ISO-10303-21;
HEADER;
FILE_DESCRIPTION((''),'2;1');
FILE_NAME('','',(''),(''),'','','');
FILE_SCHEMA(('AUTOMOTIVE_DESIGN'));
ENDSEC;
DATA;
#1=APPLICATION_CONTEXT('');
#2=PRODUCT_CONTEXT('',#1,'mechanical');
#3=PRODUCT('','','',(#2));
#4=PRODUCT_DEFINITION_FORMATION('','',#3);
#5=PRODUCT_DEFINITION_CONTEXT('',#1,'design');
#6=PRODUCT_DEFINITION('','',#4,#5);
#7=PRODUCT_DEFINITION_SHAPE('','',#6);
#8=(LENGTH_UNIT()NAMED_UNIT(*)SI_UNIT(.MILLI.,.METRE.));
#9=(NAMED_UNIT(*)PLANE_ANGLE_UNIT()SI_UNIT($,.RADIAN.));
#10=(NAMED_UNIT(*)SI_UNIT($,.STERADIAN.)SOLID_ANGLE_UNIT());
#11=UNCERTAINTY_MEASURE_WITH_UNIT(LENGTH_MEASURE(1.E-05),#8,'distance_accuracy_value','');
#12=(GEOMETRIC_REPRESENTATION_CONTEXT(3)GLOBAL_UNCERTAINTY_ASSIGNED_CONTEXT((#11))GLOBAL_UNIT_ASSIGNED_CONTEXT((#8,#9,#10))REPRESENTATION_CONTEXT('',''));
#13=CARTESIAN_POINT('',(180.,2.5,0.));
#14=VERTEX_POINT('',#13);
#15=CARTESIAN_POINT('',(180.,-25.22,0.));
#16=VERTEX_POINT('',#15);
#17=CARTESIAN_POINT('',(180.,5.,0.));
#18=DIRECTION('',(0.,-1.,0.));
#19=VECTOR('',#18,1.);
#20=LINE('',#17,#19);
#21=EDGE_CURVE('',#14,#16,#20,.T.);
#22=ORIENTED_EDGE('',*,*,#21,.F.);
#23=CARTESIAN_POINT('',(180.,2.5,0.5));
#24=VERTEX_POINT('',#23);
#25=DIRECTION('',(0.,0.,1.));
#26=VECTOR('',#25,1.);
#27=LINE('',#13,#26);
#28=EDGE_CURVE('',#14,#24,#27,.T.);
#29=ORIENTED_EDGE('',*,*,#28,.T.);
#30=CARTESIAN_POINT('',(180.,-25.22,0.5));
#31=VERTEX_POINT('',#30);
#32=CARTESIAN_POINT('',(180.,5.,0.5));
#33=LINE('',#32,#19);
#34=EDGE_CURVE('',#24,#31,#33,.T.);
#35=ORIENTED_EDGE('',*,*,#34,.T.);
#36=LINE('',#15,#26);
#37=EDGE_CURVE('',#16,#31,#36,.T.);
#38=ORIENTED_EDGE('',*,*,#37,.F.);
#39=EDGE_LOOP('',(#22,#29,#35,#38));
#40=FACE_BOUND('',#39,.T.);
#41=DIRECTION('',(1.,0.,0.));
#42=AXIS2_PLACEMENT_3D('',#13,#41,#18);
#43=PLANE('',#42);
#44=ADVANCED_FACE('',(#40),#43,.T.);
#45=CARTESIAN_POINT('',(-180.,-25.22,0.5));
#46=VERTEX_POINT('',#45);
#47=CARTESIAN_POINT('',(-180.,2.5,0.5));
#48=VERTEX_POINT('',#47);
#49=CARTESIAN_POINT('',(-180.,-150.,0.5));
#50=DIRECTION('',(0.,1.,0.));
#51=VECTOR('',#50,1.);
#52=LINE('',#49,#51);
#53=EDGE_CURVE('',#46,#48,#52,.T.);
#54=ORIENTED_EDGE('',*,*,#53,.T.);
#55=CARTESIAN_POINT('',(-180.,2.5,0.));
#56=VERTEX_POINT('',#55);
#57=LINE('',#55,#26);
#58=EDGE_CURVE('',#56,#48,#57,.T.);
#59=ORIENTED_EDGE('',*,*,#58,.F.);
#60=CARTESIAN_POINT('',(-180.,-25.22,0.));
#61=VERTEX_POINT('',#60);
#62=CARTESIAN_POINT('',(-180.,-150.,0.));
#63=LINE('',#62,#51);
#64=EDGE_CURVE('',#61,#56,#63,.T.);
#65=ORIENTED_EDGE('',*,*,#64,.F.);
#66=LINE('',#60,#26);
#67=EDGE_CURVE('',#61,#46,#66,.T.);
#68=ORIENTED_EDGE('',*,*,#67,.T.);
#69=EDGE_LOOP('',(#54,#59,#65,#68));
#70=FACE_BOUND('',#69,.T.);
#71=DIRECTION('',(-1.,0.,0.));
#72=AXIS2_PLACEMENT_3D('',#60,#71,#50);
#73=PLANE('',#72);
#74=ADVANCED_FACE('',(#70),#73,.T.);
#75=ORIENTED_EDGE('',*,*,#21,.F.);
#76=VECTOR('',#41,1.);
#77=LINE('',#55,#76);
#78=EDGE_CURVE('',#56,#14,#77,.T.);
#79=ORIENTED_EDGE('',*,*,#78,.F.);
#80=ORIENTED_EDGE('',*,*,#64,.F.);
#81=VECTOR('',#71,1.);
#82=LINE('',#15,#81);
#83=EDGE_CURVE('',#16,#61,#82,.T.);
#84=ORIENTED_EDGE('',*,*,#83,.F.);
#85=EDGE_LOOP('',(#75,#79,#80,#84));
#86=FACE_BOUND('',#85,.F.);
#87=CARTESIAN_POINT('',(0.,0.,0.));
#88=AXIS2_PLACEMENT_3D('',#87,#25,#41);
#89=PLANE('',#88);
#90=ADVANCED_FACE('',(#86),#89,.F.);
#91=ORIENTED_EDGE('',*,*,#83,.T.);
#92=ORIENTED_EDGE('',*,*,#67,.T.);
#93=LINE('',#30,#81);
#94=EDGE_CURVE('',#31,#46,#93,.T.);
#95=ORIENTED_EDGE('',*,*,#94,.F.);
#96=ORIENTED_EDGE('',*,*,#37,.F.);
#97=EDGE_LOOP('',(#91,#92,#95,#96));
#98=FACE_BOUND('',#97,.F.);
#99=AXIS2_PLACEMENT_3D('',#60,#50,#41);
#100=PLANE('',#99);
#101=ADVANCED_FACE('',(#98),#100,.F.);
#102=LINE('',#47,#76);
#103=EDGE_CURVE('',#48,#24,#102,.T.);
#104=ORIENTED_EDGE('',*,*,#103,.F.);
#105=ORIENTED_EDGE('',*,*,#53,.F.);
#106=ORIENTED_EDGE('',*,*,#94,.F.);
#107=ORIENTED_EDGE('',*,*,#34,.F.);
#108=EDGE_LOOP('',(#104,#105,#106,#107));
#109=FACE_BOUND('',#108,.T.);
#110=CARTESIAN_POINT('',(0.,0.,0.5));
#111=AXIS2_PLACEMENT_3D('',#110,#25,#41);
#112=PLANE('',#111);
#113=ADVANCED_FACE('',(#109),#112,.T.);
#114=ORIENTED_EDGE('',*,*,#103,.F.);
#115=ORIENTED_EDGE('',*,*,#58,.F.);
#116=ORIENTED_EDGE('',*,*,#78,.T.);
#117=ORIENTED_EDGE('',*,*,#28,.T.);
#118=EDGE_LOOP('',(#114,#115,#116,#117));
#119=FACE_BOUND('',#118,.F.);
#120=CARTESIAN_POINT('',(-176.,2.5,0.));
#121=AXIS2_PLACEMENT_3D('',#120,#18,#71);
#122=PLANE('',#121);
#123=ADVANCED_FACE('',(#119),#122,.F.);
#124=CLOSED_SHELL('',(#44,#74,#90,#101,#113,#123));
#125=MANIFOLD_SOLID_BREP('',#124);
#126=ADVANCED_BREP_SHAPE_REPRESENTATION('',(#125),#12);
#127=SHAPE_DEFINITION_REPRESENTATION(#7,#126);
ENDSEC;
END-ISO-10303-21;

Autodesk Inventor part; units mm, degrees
ref_plane "YZ Plane" through (0, 0, 0) normal (1, 0, 0) x (0, 1, 0)
ref_plane "XZ Plane" through (0, 0, 0) normal (0, 1, 0) x (-1, 0, 0)
ref_plane "XY Plane" through (0, 0, 0) normal (0, 0, 1) x (1, 0, 0)
sketch "スケッチ1" plane through (0, 0, 0) normal (0, 0, 1) x (1, 0, 0)
  line L0 (-176, -2.5) -> (176, -2.5) projected
  line L1 (-175, -20.22) -> (-175, -2.5) projected
  line L2 (176, -20.22) -> (-176, -20.22) projected
  line L3 (175, -2.5) -> (175, -20.22) projected
  line L4 (-176, -25.22) -> (176, -25.22) projected
  line L5 (-180, -150) -> (-180, 5) projected
  line L6 (180, 5) -> (180, -150) projected
  line L7 (176, 2.5) -> (-176, 2.5) projected
  line L8 (180, 2.5) -> (-180, 2.5)
  line L9 (-180, 2.5) -> (-180, -25.22)
  line L10 (-180, -25.22) -> (180, -25.22)
  line L11 (180, -25.22) -> (180, 2.5)
  point P0 (0, 0)
  point P1 (180, -25.22)
  point P2 (-180, 2.5)
extrude "押し出し1" add sketch "スケッチ1" along normal blind 0.5 contours L0 L3 L2 L1 | L10 L5 L8 L7 L6 L4
properties part number "板" material "アルミニウム 6061"
